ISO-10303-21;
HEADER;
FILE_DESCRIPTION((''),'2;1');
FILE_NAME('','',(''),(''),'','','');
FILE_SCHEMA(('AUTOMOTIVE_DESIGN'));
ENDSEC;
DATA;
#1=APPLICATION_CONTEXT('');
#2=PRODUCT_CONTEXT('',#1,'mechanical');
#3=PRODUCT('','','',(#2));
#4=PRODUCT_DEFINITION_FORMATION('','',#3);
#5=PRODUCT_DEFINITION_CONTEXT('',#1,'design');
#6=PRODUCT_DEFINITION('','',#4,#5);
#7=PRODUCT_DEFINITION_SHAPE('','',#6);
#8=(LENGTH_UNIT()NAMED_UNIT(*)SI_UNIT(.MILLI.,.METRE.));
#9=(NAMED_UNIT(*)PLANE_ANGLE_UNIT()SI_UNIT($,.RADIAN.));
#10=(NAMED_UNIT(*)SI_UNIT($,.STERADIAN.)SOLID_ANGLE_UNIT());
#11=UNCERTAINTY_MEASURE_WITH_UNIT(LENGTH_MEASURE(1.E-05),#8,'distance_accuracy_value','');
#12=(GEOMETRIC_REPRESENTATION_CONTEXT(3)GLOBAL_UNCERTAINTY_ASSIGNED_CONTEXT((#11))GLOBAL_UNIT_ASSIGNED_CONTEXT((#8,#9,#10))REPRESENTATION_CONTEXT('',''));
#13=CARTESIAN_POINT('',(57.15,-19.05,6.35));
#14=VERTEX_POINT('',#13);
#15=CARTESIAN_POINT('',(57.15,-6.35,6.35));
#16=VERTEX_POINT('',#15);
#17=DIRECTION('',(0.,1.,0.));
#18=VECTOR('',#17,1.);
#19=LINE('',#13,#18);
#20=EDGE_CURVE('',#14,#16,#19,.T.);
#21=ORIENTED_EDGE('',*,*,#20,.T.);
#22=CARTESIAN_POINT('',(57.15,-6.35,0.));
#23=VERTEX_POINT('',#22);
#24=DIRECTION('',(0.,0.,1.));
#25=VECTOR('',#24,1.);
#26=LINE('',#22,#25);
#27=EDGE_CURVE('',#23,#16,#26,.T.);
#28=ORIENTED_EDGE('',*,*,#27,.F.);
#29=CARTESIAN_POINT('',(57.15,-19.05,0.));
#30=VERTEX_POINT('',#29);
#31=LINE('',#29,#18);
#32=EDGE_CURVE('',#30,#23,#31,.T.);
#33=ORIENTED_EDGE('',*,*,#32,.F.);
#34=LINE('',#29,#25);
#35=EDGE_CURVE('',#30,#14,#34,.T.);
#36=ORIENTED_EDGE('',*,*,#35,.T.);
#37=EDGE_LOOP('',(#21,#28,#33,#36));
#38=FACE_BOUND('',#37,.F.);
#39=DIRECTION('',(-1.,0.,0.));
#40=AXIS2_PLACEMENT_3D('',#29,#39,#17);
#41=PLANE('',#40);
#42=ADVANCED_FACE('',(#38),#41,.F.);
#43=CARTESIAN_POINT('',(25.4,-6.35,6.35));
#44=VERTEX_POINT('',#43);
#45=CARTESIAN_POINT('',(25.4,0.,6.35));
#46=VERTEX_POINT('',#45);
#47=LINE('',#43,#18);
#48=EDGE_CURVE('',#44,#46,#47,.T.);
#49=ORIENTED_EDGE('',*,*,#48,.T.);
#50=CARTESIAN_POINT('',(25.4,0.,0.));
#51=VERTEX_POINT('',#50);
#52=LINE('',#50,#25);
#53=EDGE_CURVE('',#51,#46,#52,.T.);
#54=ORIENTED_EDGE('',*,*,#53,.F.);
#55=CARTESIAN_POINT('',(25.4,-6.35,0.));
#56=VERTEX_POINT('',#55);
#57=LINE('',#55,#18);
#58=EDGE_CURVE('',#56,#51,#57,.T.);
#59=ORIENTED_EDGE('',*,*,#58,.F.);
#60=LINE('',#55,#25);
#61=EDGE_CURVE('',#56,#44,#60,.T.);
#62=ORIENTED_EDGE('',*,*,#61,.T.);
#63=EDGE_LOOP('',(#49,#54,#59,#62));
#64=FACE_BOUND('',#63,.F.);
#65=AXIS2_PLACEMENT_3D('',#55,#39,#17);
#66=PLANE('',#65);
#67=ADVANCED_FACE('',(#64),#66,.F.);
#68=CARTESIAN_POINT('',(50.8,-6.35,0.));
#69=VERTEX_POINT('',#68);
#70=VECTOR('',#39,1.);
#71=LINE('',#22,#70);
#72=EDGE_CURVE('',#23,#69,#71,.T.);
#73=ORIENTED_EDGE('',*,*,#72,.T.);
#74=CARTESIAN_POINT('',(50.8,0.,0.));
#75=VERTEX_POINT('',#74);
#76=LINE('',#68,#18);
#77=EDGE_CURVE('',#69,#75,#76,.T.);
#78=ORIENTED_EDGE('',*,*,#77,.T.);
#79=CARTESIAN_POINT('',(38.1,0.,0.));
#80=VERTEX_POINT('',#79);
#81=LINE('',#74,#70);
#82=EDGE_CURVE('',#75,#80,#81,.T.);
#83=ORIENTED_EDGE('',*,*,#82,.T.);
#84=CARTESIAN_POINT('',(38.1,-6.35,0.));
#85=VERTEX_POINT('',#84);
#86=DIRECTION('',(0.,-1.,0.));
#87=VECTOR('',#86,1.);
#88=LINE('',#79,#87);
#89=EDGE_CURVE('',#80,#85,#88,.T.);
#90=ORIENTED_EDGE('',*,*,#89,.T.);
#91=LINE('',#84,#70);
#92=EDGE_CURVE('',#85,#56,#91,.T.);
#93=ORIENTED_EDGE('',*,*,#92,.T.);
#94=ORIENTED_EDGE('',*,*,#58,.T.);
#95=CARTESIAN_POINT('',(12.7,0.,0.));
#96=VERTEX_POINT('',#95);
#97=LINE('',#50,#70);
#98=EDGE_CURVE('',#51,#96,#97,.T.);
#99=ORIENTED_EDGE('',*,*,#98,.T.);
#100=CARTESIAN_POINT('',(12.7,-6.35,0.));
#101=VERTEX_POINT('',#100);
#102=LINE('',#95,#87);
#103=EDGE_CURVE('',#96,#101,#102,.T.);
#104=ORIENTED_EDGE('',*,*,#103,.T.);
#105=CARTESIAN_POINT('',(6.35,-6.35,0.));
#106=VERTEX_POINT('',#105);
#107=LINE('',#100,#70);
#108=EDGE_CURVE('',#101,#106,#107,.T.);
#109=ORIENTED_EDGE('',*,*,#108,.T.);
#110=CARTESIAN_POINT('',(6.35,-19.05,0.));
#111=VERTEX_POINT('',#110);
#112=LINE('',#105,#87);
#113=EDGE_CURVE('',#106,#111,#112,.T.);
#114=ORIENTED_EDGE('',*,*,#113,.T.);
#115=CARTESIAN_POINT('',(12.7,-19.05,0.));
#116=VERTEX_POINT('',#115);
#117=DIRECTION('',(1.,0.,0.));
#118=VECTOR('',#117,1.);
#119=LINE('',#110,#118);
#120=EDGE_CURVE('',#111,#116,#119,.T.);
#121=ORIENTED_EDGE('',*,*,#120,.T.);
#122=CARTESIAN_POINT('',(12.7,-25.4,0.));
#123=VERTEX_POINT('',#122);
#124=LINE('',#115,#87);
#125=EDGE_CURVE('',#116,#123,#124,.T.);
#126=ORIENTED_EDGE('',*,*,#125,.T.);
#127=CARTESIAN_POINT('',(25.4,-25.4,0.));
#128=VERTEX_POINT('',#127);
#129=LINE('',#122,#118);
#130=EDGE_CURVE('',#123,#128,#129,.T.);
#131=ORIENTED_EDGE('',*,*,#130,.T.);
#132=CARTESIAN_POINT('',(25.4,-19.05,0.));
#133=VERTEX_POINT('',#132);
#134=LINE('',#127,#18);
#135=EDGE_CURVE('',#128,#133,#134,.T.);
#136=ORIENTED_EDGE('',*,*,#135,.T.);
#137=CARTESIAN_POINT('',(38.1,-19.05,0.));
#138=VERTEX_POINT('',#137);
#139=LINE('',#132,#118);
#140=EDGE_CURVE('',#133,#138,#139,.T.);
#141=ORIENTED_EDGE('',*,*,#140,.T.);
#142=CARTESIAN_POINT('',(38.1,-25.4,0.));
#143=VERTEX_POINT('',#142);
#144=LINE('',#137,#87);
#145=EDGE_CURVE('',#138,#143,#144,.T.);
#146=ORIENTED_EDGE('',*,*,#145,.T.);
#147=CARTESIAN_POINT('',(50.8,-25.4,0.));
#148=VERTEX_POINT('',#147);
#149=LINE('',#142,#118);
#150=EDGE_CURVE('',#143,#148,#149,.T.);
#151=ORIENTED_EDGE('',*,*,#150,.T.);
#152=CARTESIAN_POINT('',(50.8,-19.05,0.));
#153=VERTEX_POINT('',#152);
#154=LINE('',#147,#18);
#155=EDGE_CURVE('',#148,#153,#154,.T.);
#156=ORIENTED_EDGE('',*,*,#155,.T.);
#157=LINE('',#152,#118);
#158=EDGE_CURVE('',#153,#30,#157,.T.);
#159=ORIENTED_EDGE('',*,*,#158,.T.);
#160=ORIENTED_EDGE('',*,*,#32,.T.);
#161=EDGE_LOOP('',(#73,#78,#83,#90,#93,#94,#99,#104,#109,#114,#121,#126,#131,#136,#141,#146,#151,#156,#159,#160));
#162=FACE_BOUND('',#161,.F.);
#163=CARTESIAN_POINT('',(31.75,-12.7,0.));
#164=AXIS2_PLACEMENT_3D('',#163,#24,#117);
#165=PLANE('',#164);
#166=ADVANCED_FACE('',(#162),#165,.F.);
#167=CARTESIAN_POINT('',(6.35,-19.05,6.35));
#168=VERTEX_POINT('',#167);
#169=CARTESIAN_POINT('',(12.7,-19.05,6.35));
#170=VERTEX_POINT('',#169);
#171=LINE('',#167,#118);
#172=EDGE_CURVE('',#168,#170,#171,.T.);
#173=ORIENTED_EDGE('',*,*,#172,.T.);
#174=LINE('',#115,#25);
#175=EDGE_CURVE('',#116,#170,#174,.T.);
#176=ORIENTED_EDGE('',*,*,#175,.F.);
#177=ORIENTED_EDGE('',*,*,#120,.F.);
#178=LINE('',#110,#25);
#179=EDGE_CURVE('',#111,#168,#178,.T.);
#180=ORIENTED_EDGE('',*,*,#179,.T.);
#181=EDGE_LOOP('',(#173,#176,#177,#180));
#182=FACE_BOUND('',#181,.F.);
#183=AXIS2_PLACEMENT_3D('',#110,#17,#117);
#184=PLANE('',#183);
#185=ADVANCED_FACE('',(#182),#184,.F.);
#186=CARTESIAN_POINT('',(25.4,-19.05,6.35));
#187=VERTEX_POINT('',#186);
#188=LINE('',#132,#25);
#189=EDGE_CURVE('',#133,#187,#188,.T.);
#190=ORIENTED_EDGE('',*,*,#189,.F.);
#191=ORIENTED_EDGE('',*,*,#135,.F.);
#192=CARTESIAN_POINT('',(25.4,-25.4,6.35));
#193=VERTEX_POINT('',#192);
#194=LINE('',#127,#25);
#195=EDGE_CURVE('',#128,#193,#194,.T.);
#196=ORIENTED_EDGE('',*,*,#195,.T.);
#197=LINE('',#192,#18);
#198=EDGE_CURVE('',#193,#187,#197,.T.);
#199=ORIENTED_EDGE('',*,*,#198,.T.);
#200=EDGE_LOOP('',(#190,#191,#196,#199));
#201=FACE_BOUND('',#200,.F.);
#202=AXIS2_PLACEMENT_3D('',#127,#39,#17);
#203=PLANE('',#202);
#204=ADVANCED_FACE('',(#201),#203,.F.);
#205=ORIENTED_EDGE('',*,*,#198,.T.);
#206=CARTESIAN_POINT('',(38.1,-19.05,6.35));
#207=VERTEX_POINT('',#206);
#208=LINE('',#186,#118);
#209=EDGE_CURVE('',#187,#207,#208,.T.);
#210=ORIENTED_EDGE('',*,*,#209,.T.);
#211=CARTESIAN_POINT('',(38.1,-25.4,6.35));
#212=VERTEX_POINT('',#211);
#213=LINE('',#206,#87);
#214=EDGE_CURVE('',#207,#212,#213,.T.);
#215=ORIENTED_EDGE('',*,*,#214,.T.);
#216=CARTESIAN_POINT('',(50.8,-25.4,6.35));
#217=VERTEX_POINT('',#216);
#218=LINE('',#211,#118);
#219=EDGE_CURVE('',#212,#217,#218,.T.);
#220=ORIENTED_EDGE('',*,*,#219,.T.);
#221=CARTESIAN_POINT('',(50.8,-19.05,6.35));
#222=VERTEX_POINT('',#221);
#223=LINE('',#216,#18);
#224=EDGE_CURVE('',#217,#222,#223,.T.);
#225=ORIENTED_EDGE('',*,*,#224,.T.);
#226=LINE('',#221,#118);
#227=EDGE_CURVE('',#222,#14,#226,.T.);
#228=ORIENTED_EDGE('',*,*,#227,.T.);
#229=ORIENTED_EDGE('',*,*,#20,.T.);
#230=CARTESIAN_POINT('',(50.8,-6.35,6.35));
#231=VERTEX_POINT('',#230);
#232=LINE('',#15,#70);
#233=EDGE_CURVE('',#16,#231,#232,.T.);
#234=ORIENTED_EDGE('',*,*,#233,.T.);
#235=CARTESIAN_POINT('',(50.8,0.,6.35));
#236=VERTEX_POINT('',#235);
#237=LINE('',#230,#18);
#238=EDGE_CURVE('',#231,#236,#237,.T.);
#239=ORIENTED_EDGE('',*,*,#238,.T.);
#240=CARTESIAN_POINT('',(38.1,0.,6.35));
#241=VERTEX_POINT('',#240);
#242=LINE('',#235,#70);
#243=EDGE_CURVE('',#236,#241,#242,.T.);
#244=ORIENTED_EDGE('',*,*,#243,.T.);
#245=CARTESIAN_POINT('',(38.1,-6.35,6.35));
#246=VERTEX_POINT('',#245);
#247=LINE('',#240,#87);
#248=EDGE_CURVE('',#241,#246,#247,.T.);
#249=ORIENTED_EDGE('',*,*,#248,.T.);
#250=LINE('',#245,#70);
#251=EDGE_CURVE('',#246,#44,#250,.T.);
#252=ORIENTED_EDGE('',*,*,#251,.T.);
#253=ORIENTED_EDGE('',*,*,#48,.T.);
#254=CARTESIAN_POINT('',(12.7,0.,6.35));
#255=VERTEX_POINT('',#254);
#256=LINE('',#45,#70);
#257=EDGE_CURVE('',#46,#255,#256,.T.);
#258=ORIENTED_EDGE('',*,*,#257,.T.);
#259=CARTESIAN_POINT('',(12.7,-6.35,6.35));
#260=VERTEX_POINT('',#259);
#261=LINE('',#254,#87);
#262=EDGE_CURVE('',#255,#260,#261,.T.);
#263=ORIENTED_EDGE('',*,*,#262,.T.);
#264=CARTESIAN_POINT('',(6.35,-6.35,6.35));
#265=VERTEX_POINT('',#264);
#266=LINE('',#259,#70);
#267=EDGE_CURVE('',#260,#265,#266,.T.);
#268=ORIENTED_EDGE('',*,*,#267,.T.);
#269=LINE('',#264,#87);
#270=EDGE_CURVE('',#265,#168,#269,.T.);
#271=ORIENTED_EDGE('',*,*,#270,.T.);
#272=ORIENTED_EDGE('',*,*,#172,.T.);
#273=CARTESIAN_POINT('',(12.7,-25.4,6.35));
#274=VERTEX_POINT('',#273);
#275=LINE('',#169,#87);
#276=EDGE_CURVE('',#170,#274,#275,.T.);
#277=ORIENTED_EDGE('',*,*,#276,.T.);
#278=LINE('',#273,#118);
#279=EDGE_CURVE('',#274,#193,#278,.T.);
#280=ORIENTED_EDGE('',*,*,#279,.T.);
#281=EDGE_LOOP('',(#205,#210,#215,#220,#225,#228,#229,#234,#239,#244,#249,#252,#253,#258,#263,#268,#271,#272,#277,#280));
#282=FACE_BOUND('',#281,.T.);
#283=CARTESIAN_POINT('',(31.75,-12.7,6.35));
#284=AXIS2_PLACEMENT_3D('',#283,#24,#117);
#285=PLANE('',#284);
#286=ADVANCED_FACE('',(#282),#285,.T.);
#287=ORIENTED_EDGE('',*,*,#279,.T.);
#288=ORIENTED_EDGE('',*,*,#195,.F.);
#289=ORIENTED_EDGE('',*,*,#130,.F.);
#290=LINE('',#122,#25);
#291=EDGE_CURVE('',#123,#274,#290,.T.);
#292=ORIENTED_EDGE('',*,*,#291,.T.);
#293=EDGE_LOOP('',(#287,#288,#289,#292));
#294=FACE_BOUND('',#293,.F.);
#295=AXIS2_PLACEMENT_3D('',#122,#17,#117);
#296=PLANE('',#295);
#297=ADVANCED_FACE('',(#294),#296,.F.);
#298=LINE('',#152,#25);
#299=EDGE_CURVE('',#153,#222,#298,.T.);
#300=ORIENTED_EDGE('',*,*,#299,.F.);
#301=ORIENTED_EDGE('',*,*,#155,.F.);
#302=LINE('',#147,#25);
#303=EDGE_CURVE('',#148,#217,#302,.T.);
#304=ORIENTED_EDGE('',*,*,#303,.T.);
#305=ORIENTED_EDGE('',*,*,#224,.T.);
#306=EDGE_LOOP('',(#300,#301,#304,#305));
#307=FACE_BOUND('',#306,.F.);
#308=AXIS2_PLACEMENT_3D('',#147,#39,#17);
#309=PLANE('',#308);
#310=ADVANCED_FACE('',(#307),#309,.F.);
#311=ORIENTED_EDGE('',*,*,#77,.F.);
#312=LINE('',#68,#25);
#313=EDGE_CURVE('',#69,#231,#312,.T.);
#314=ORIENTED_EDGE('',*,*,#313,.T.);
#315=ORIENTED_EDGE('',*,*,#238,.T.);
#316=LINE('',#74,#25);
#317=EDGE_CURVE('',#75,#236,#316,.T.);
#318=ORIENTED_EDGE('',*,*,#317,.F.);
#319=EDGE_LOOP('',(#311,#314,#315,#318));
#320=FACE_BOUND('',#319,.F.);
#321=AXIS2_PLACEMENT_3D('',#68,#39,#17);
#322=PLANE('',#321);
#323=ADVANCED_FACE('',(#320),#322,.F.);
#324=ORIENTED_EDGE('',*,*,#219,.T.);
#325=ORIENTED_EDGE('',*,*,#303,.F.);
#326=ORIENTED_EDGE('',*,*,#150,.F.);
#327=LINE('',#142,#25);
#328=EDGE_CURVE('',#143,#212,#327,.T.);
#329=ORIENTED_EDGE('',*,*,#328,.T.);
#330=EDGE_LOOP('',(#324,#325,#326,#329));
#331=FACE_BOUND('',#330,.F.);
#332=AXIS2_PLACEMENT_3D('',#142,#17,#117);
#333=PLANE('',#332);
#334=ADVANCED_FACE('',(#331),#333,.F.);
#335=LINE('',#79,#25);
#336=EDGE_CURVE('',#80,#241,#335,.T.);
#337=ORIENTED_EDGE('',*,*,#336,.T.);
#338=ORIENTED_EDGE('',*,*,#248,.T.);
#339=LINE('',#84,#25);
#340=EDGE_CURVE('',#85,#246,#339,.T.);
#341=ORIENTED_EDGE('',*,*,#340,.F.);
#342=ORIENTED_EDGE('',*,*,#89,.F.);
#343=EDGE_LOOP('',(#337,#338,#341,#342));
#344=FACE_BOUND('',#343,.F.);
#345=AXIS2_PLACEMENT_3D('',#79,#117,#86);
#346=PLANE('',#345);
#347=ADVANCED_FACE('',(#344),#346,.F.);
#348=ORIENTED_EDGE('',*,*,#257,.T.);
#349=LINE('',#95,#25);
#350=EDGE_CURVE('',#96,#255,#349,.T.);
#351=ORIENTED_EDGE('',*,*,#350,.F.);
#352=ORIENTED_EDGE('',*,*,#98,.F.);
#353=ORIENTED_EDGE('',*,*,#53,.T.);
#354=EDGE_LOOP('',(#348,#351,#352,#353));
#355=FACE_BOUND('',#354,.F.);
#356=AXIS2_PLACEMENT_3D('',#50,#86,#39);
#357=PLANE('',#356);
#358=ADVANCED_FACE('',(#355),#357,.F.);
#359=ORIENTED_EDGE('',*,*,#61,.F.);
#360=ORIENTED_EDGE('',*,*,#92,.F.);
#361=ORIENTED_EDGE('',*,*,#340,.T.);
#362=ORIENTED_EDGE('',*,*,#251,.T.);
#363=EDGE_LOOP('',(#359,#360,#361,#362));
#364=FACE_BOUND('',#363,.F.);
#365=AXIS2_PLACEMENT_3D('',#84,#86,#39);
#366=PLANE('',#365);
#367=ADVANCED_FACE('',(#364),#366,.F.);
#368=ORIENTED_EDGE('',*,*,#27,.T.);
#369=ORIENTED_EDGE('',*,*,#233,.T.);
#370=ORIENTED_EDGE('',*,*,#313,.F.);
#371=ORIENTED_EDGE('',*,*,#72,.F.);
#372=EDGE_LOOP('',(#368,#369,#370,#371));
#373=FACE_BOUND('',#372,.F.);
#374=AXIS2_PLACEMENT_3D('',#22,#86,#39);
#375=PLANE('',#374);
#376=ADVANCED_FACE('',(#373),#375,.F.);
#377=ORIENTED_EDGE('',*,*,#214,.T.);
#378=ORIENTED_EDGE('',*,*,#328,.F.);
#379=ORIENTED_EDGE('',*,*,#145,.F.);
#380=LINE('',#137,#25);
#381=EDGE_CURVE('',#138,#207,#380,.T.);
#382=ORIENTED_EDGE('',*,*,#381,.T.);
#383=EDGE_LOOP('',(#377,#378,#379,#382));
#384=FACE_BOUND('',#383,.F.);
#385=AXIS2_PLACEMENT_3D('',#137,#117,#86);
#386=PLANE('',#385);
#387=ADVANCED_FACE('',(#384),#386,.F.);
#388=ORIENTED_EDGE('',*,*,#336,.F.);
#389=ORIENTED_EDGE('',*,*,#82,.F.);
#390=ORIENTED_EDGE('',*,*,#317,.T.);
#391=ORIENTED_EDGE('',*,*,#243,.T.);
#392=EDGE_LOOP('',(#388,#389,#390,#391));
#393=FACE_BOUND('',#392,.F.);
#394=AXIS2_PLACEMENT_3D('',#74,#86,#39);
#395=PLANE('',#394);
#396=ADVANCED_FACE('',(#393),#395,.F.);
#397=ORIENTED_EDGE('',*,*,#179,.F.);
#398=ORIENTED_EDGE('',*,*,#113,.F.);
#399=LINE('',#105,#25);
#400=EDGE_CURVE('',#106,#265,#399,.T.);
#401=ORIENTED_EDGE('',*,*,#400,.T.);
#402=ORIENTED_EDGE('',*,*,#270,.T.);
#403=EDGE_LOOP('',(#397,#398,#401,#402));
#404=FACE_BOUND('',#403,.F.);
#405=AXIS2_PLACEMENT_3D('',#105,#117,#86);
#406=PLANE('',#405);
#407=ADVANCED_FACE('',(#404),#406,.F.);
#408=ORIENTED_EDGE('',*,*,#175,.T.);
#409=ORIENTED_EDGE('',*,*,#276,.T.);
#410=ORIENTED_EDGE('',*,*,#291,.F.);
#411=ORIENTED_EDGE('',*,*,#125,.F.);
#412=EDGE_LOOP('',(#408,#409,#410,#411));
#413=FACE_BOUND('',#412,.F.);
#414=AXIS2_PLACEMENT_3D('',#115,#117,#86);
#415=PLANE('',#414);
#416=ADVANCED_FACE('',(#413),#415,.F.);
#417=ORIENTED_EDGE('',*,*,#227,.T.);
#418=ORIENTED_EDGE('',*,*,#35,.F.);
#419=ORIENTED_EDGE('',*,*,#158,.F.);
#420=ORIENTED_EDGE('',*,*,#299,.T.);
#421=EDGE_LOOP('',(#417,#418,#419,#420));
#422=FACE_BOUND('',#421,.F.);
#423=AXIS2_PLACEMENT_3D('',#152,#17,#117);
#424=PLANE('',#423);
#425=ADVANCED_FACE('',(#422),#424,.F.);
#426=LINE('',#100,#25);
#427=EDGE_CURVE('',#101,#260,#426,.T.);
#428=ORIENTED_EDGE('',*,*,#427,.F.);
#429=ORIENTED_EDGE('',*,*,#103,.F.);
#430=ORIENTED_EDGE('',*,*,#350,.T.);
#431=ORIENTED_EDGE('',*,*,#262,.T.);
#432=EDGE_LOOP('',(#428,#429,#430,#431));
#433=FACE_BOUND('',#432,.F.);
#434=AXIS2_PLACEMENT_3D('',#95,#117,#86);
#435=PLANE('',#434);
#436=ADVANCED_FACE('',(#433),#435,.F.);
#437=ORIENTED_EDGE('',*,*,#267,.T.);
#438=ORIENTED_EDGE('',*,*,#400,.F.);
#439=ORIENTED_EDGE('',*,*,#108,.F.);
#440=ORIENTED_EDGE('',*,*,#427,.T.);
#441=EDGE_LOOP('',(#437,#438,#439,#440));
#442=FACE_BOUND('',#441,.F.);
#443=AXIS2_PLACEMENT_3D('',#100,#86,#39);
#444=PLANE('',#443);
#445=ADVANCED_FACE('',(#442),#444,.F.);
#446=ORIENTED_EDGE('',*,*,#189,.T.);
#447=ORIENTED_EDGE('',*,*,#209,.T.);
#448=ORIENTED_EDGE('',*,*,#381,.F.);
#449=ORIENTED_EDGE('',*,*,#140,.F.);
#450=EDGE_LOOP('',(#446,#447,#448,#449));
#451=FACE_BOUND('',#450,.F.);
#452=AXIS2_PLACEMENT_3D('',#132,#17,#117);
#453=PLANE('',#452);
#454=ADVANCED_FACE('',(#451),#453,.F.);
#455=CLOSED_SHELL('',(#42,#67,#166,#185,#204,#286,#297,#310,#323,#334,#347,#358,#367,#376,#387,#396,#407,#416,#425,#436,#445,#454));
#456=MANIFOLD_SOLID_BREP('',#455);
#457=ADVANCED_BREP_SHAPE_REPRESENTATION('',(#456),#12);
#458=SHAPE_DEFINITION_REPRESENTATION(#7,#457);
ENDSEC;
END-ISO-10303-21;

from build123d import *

# Parameters (mm, degrees)
F1_DEPTH = 6.35


with BuildPart() as f1:
    # F0 (on Top) → F1 (new body)
    with BuildSketch(Plane.XY):
        Polygon((12.7, -19.05), (12.7, -25.4), (25.4, -25.4), (25.4, -19.05), (38.1, -19.05), (38.1, -25.4), (50.8, -25.4), (50.8, -19.05), (57.15, -19.05), (57.15, -6.35), (50.8, -6.35), (50.8, 0), (38.1, 0), (38.1, -6.35), (25.4, -6.35), (25.4, 0), (12.7, 0), (12.7, -6.35), (6.35, -6.35), (6.35, -19.05), align=None)
    extrude(amount=F1_DEPTH)


solid = f1.part
